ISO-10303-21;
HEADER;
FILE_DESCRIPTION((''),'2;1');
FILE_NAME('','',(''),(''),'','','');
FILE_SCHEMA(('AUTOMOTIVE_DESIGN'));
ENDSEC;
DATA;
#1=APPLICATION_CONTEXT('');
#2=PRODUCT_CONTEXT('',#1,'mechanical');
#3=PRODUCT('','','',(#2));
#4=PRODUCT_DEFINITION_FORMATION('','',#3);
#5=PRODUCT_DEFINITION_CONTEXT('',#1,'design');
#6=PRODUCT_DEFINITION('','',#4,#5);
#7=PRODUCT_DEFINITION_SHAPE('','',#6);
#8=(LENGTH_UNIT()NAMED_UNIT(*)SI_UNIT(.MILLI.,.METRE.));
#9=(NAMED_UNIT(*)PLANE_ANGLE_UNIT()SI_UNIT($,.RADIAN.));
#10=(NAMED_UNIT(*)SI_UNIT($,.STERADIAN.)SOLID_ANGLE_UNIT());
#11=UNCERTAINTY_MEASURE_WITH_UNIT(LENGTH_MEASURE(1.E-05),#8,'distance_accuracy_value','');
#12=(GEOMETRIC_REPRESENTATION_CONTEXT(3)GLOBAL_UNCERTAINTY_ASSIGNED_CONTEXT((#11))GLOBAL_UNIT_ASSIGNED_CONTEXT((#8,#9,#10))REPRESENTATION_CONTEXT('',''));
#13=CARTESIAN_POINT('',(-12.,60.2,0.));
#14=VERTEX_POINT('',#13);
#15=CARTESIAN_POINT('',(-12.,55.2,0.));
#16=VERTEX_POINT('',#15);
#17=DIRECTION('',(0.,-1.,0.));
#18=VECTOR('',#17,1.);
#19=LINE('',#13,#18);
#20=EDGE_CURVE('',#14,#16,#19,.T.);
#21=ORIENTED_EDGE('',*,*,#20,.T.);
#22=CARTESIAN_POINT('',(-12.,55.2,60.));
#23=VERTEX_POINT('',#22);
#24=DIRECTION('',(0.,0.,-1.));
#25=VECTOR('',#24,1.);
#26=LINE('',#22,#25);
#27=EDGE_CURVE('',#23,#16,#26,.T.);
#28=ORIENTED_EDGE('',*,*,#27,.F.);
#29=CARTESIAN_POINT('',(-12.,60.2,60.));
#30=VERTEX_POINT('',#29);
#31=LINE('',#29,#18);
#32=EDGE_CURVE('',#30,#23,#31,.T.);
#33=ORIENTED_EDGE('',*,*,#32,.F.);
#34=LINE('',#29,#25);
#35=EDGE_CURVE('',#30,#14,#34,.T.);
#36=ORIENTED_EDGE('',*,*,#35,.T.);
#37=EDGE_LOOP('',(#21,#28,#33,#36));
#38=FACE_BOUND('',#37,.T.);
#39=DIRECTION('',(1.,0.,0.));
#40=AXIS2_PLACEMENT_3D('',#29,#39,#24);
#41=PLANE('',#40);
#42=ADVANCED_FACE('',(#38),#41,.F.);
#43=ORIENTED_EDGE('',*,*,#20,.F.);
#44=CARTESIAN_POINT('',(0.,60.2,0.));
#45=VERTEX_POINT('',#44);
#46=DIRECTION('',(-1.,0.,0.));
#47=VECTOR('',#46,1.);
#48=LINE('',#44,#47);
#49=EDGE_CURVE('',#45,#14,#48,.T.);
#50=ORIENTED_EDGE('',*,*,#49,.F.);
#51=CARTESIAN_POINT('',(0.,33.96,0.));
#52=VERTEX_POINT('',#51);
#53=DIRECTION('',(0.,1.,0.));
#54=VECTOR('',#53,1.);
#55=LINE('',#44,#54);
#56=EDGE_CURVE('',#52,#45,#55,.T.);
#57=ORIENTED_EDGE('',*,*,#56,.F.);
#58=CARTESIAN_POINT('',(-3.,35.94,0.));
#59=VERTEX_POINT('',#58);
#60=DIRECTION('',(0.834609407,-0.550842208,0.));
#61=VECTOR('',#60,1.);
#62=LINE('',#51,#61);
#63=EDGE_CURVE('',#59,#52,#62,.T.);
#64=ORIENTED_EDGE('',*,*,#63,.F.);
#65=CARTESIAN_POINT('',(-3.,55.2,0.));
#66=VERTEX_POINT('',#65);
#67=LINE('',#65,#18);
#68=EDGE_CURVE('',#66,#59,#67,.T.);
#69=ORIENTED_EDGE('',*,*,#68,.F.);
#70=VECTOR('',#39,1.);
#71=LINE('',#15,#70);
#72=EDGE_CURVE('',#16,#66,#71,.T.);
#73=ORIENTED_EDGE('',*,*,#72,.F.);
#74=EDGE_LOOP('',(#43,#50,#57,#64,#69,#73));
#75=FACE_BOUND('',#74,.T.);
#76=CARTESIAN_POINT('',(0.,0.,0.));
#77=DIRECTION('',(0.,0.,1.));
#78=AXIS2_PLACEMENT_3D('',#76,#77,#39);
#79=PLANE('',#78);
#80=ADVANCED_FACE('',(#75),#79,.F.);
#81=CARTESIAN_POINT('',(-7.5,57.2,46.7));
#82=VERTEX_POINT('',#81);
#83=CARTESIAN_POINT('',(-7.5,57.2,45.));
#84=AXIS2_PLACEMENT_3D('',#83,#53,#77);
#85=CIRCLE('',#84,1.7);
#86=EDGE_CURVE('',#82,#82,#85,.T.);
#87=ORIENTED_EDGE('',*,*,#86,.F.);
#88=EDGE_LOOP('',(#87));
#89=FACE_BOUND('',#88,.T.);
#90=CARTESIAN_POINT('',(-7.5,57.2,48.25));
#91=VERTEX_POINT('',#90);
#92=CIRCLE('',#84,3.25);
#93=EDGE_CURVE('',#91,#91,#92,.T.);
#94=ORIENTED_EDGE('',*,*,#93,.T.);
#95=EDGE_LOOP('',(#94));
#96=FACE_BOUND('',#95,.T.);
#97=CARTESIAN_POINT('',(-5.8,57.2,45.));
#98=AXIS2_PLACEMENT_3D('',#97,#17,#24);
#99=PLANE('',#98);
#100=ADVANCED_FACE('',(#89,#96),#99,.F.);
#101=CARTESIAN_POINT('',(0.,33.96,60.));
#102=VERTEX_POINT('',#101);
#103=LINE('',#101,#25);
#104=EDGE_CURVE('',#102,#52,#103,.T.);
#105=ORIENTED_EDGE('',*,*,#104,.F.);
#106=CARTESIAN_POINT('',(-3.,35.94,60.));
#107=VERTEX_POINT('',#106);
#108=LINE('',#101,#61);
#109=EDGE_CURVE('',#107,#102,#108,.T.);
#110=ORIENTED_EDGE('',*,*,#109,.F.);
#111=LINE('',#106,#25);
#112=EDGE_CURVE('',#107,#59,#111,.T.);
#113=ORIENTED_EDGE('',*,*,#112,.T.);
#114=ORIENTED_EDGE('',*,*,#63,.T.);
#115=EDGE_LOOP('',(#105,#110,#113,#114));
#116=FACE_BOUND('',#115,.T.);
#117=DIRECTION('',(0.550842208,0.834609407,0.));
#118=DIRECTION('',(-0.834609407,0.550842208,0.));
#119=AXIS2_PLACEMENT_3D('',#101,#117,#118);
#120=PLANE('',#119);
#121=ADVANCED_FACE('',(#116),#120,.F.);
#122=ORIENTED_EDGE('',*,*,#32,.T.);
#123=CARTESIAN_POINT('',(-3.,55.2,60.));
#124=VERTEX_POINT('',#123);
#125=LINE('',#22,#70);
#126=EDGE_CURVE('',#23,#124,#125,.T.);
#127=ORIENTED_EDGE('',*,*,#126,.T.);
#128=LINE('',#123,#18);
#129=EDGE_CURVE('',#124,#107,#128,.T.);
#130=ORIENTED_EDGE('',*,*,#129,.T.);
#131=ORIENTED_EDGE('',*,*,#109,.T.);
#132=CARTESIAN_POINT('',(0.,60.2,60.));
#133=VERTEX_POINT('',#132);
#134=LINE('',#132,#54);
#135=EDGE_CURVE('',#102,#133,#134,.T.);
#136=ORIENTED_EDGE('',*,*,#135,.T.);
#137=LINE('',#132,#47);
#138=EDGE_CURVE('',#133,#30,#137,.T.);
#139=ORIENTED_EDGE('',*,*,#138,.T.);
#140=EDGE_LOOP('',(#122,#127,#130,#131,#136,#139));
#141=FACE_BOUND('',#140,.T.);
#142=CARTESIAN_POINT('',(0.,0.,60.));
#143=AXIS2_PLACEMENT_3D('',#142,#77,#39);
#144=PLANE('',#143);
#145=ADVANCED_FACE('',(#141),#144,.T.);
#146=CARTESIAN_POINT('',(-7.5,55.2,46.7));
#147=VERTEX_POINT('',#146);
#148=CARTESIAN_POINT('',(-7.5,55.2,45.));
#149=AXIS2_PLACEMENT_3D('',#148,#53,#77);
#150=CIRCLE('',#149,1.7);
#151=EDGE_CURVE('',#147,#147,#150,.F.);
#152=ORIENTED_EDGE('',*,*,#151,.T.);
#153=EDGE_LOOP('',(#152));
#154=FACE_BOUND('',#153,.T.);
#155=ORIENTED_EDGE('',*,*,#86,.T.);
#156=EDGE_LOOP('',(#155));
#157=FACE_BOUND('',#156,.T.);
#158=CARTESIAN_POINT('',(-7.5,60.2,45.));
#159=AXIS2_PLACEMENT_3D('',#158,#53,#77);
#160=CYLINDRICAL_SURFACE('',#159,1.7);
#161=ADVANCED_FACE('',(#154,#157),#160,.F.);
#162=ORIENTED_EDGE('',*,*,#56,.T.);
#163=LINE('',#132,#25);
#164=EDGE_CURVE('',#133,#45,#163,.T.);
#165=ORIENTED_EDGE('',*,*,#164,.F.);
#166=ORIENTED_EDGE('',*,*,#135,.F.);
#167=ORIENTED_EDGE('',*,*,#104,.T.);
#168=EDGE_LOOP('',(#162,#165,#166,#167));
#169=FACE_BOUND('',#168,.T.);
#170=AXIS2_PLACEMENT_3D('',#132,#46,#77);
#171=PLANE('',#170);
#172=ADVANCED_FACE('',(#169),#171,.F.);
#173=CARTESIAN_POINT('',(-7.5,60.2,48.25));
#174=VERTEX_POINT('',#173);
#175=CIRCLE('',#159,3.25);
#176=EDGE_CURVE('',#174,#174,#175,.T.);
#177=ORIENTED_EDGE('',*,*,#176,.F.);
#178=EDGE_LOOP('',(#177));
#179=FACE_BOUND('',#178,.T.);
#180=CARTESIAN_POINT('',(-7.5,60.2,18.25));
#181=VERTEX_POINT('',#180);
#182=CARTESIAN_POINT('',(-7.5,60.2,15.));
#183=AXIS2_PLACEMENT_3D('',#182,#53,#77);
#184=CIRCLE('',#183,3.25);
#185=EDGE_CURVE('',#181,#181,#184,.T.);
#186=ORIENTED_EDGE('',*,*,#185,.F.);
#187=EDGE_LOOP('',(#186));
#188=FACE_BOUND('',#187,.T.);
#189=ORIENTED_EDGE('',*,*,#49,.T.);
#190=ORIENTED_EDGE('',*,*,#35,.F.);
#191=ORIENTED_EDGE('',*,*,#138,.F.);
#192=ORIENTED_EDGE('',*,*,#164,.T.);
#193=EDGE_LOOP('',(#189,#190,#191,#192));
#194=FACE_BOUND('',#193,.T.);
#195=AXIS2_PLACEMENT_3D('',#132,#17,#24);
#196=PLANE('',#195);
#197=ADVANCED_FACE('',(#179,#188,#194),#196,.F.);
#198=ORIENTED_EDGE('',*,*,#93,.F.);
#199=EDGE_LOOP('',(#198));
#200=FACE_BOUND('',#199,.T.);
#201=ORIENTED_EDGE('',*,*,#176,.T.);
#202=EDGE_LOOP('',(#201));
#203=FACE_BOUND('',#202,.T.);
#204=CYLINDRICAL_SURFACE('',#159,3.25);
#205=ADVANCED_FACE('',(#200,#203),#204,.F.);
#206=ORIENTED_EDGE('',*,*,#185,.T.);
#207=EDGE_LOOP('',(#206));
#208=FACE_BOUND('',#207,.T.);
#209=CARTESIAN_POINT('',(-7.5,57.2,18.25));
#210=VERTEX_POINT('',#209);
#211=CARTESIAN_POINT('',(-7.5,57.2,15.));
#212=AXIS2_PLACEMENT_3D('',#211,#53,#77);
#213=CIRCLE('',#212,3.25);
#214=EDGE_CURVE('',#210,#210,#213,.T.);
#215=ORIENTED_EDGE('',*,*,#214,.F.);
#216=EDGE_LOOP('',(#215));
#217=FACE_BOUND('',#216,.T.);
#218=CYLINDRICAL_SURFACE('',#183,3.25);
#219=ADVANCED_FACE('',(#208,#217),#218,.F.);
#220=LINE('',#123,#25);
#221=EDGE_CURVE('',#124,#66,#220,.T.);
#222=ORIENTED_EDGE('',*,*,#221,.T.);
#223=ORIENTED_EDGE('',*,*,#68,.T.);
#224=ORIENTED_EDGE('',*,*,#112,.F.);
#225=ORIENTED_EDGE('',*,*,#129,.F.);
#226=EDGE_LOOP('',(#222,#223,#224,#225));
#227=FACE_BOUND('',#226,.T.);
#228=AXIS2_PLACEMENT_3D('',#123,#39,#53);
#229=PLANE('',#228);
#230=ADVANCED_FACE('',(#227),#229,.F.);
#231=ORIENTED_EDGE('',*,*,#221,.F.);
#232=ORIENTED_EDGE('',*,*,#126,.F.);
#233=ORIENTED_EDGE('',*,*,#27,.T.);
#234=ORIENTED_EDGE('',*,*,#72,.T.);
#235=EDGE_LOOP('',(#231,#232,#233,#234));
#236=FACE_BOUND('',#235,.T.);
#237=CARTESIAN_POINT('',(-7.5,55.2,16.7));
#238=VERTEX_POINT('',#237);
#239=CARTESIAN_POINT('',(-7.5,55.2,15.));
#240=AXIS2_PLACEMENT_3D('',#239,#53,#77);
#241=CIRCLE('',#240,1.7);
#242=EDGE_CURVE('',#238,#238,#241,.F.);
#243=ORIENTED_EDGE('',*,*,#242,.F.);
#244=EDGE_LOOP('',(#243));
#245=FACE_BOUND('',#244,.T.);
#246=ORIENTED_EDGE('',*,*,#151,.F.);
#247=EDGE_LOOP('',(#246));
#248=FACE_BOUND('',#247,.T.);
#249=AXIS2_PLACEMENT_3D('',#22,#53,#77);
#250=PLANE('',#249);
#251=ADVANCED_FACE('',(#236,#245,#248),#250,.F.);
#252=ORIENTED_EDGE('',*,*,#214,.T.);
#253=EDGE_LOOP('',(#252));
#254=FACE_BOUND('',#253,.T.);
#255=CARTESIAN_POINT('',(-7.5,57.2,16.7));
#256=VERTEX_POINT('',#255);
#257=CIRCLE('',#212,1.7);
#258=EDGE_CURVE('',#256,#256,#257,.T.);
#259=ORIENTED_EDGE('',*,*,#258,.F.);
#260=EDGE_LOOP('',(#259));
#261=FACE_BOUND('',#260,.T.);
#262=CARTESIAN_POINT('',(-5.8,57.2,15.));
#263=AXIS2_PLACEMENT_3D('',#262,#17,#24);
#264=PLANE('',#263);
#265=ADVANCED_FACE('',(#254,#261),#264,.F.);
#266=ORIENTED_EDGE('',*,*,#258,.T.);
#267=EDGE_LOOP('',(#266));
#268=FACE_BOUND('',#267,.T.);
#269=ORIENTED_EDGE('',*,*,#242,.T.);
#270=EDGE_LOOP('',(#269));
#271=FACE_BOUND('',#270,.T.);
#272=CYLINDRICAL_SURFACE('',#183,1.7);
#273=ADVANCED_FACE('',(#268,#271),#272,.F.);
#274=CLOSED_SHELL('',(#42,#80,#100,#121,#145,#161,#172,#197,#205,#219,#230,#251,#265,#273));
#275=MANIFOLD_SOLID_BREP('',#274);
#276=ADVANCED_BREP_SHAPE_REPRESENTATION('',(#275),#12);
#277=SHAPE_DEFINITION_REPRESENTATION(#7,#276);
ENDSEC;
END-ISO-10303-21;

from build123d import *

# Parameters (mm, degrees)
BOSS_EXTRUDE1_DEPTH            = 60
CBORE_FOR_M3_SHCS1_D           = 3.4
CBORE_FOR_M3_SHCS1_DEPTH       = 5
CBORE_FOR_M3_SHCS1_CBORE_D     = 6.5
CBORE_FOR_M3_SHCS1_CBORE_DEPTH = 3
CBORE_FOR_M3_SHCS1_TIP         = 1.021463052


with BuildPart() as part:
    # Sketch3 → Boss-Extrude1 (new body)
    with BuildSketch(Plane.XY):
        Polygon((0, 60.2), (0, 33.96), (-3, 35.94), (-3, 55.2), (-12, 55.2), (-12, 60.2), align=None)
    extrude(amount=BOSS_EXTRUDE1_DEPTH)

    # CBORE for M3 SHCS1
    with Locations(Plane(origin=(0, 60.2, 0), x_dir=(1, 0, 0), z_dir=(0, 1, 0))):
        with Locations((-7.5, -15), (-7.5, -45)):
            CounterBoreHole(CBORE_FOR_M3_SHCS1_D / 2, CBORE_FOR_M3_SHCS1_CBORE_D / 2, CBORE_FOR_M3_SHCS1_CBORE_DEPTH, depth=CBORE_FOR_M3_SHCS1_DEPTH)
            with Locations((0, 0, -(CBORE_FOR_M3_SHCS1_DEPTH + CBORE_FOR_M3_SHCS1_TIP / 2))):  # 118° drill point
                Cone(0, CBORE_FOR_M3_SHCS1_D / 2, CBORE_FOR_M3_SHCS1_TIP, mode=Mode.SUBTRACT)


solid = part.part
